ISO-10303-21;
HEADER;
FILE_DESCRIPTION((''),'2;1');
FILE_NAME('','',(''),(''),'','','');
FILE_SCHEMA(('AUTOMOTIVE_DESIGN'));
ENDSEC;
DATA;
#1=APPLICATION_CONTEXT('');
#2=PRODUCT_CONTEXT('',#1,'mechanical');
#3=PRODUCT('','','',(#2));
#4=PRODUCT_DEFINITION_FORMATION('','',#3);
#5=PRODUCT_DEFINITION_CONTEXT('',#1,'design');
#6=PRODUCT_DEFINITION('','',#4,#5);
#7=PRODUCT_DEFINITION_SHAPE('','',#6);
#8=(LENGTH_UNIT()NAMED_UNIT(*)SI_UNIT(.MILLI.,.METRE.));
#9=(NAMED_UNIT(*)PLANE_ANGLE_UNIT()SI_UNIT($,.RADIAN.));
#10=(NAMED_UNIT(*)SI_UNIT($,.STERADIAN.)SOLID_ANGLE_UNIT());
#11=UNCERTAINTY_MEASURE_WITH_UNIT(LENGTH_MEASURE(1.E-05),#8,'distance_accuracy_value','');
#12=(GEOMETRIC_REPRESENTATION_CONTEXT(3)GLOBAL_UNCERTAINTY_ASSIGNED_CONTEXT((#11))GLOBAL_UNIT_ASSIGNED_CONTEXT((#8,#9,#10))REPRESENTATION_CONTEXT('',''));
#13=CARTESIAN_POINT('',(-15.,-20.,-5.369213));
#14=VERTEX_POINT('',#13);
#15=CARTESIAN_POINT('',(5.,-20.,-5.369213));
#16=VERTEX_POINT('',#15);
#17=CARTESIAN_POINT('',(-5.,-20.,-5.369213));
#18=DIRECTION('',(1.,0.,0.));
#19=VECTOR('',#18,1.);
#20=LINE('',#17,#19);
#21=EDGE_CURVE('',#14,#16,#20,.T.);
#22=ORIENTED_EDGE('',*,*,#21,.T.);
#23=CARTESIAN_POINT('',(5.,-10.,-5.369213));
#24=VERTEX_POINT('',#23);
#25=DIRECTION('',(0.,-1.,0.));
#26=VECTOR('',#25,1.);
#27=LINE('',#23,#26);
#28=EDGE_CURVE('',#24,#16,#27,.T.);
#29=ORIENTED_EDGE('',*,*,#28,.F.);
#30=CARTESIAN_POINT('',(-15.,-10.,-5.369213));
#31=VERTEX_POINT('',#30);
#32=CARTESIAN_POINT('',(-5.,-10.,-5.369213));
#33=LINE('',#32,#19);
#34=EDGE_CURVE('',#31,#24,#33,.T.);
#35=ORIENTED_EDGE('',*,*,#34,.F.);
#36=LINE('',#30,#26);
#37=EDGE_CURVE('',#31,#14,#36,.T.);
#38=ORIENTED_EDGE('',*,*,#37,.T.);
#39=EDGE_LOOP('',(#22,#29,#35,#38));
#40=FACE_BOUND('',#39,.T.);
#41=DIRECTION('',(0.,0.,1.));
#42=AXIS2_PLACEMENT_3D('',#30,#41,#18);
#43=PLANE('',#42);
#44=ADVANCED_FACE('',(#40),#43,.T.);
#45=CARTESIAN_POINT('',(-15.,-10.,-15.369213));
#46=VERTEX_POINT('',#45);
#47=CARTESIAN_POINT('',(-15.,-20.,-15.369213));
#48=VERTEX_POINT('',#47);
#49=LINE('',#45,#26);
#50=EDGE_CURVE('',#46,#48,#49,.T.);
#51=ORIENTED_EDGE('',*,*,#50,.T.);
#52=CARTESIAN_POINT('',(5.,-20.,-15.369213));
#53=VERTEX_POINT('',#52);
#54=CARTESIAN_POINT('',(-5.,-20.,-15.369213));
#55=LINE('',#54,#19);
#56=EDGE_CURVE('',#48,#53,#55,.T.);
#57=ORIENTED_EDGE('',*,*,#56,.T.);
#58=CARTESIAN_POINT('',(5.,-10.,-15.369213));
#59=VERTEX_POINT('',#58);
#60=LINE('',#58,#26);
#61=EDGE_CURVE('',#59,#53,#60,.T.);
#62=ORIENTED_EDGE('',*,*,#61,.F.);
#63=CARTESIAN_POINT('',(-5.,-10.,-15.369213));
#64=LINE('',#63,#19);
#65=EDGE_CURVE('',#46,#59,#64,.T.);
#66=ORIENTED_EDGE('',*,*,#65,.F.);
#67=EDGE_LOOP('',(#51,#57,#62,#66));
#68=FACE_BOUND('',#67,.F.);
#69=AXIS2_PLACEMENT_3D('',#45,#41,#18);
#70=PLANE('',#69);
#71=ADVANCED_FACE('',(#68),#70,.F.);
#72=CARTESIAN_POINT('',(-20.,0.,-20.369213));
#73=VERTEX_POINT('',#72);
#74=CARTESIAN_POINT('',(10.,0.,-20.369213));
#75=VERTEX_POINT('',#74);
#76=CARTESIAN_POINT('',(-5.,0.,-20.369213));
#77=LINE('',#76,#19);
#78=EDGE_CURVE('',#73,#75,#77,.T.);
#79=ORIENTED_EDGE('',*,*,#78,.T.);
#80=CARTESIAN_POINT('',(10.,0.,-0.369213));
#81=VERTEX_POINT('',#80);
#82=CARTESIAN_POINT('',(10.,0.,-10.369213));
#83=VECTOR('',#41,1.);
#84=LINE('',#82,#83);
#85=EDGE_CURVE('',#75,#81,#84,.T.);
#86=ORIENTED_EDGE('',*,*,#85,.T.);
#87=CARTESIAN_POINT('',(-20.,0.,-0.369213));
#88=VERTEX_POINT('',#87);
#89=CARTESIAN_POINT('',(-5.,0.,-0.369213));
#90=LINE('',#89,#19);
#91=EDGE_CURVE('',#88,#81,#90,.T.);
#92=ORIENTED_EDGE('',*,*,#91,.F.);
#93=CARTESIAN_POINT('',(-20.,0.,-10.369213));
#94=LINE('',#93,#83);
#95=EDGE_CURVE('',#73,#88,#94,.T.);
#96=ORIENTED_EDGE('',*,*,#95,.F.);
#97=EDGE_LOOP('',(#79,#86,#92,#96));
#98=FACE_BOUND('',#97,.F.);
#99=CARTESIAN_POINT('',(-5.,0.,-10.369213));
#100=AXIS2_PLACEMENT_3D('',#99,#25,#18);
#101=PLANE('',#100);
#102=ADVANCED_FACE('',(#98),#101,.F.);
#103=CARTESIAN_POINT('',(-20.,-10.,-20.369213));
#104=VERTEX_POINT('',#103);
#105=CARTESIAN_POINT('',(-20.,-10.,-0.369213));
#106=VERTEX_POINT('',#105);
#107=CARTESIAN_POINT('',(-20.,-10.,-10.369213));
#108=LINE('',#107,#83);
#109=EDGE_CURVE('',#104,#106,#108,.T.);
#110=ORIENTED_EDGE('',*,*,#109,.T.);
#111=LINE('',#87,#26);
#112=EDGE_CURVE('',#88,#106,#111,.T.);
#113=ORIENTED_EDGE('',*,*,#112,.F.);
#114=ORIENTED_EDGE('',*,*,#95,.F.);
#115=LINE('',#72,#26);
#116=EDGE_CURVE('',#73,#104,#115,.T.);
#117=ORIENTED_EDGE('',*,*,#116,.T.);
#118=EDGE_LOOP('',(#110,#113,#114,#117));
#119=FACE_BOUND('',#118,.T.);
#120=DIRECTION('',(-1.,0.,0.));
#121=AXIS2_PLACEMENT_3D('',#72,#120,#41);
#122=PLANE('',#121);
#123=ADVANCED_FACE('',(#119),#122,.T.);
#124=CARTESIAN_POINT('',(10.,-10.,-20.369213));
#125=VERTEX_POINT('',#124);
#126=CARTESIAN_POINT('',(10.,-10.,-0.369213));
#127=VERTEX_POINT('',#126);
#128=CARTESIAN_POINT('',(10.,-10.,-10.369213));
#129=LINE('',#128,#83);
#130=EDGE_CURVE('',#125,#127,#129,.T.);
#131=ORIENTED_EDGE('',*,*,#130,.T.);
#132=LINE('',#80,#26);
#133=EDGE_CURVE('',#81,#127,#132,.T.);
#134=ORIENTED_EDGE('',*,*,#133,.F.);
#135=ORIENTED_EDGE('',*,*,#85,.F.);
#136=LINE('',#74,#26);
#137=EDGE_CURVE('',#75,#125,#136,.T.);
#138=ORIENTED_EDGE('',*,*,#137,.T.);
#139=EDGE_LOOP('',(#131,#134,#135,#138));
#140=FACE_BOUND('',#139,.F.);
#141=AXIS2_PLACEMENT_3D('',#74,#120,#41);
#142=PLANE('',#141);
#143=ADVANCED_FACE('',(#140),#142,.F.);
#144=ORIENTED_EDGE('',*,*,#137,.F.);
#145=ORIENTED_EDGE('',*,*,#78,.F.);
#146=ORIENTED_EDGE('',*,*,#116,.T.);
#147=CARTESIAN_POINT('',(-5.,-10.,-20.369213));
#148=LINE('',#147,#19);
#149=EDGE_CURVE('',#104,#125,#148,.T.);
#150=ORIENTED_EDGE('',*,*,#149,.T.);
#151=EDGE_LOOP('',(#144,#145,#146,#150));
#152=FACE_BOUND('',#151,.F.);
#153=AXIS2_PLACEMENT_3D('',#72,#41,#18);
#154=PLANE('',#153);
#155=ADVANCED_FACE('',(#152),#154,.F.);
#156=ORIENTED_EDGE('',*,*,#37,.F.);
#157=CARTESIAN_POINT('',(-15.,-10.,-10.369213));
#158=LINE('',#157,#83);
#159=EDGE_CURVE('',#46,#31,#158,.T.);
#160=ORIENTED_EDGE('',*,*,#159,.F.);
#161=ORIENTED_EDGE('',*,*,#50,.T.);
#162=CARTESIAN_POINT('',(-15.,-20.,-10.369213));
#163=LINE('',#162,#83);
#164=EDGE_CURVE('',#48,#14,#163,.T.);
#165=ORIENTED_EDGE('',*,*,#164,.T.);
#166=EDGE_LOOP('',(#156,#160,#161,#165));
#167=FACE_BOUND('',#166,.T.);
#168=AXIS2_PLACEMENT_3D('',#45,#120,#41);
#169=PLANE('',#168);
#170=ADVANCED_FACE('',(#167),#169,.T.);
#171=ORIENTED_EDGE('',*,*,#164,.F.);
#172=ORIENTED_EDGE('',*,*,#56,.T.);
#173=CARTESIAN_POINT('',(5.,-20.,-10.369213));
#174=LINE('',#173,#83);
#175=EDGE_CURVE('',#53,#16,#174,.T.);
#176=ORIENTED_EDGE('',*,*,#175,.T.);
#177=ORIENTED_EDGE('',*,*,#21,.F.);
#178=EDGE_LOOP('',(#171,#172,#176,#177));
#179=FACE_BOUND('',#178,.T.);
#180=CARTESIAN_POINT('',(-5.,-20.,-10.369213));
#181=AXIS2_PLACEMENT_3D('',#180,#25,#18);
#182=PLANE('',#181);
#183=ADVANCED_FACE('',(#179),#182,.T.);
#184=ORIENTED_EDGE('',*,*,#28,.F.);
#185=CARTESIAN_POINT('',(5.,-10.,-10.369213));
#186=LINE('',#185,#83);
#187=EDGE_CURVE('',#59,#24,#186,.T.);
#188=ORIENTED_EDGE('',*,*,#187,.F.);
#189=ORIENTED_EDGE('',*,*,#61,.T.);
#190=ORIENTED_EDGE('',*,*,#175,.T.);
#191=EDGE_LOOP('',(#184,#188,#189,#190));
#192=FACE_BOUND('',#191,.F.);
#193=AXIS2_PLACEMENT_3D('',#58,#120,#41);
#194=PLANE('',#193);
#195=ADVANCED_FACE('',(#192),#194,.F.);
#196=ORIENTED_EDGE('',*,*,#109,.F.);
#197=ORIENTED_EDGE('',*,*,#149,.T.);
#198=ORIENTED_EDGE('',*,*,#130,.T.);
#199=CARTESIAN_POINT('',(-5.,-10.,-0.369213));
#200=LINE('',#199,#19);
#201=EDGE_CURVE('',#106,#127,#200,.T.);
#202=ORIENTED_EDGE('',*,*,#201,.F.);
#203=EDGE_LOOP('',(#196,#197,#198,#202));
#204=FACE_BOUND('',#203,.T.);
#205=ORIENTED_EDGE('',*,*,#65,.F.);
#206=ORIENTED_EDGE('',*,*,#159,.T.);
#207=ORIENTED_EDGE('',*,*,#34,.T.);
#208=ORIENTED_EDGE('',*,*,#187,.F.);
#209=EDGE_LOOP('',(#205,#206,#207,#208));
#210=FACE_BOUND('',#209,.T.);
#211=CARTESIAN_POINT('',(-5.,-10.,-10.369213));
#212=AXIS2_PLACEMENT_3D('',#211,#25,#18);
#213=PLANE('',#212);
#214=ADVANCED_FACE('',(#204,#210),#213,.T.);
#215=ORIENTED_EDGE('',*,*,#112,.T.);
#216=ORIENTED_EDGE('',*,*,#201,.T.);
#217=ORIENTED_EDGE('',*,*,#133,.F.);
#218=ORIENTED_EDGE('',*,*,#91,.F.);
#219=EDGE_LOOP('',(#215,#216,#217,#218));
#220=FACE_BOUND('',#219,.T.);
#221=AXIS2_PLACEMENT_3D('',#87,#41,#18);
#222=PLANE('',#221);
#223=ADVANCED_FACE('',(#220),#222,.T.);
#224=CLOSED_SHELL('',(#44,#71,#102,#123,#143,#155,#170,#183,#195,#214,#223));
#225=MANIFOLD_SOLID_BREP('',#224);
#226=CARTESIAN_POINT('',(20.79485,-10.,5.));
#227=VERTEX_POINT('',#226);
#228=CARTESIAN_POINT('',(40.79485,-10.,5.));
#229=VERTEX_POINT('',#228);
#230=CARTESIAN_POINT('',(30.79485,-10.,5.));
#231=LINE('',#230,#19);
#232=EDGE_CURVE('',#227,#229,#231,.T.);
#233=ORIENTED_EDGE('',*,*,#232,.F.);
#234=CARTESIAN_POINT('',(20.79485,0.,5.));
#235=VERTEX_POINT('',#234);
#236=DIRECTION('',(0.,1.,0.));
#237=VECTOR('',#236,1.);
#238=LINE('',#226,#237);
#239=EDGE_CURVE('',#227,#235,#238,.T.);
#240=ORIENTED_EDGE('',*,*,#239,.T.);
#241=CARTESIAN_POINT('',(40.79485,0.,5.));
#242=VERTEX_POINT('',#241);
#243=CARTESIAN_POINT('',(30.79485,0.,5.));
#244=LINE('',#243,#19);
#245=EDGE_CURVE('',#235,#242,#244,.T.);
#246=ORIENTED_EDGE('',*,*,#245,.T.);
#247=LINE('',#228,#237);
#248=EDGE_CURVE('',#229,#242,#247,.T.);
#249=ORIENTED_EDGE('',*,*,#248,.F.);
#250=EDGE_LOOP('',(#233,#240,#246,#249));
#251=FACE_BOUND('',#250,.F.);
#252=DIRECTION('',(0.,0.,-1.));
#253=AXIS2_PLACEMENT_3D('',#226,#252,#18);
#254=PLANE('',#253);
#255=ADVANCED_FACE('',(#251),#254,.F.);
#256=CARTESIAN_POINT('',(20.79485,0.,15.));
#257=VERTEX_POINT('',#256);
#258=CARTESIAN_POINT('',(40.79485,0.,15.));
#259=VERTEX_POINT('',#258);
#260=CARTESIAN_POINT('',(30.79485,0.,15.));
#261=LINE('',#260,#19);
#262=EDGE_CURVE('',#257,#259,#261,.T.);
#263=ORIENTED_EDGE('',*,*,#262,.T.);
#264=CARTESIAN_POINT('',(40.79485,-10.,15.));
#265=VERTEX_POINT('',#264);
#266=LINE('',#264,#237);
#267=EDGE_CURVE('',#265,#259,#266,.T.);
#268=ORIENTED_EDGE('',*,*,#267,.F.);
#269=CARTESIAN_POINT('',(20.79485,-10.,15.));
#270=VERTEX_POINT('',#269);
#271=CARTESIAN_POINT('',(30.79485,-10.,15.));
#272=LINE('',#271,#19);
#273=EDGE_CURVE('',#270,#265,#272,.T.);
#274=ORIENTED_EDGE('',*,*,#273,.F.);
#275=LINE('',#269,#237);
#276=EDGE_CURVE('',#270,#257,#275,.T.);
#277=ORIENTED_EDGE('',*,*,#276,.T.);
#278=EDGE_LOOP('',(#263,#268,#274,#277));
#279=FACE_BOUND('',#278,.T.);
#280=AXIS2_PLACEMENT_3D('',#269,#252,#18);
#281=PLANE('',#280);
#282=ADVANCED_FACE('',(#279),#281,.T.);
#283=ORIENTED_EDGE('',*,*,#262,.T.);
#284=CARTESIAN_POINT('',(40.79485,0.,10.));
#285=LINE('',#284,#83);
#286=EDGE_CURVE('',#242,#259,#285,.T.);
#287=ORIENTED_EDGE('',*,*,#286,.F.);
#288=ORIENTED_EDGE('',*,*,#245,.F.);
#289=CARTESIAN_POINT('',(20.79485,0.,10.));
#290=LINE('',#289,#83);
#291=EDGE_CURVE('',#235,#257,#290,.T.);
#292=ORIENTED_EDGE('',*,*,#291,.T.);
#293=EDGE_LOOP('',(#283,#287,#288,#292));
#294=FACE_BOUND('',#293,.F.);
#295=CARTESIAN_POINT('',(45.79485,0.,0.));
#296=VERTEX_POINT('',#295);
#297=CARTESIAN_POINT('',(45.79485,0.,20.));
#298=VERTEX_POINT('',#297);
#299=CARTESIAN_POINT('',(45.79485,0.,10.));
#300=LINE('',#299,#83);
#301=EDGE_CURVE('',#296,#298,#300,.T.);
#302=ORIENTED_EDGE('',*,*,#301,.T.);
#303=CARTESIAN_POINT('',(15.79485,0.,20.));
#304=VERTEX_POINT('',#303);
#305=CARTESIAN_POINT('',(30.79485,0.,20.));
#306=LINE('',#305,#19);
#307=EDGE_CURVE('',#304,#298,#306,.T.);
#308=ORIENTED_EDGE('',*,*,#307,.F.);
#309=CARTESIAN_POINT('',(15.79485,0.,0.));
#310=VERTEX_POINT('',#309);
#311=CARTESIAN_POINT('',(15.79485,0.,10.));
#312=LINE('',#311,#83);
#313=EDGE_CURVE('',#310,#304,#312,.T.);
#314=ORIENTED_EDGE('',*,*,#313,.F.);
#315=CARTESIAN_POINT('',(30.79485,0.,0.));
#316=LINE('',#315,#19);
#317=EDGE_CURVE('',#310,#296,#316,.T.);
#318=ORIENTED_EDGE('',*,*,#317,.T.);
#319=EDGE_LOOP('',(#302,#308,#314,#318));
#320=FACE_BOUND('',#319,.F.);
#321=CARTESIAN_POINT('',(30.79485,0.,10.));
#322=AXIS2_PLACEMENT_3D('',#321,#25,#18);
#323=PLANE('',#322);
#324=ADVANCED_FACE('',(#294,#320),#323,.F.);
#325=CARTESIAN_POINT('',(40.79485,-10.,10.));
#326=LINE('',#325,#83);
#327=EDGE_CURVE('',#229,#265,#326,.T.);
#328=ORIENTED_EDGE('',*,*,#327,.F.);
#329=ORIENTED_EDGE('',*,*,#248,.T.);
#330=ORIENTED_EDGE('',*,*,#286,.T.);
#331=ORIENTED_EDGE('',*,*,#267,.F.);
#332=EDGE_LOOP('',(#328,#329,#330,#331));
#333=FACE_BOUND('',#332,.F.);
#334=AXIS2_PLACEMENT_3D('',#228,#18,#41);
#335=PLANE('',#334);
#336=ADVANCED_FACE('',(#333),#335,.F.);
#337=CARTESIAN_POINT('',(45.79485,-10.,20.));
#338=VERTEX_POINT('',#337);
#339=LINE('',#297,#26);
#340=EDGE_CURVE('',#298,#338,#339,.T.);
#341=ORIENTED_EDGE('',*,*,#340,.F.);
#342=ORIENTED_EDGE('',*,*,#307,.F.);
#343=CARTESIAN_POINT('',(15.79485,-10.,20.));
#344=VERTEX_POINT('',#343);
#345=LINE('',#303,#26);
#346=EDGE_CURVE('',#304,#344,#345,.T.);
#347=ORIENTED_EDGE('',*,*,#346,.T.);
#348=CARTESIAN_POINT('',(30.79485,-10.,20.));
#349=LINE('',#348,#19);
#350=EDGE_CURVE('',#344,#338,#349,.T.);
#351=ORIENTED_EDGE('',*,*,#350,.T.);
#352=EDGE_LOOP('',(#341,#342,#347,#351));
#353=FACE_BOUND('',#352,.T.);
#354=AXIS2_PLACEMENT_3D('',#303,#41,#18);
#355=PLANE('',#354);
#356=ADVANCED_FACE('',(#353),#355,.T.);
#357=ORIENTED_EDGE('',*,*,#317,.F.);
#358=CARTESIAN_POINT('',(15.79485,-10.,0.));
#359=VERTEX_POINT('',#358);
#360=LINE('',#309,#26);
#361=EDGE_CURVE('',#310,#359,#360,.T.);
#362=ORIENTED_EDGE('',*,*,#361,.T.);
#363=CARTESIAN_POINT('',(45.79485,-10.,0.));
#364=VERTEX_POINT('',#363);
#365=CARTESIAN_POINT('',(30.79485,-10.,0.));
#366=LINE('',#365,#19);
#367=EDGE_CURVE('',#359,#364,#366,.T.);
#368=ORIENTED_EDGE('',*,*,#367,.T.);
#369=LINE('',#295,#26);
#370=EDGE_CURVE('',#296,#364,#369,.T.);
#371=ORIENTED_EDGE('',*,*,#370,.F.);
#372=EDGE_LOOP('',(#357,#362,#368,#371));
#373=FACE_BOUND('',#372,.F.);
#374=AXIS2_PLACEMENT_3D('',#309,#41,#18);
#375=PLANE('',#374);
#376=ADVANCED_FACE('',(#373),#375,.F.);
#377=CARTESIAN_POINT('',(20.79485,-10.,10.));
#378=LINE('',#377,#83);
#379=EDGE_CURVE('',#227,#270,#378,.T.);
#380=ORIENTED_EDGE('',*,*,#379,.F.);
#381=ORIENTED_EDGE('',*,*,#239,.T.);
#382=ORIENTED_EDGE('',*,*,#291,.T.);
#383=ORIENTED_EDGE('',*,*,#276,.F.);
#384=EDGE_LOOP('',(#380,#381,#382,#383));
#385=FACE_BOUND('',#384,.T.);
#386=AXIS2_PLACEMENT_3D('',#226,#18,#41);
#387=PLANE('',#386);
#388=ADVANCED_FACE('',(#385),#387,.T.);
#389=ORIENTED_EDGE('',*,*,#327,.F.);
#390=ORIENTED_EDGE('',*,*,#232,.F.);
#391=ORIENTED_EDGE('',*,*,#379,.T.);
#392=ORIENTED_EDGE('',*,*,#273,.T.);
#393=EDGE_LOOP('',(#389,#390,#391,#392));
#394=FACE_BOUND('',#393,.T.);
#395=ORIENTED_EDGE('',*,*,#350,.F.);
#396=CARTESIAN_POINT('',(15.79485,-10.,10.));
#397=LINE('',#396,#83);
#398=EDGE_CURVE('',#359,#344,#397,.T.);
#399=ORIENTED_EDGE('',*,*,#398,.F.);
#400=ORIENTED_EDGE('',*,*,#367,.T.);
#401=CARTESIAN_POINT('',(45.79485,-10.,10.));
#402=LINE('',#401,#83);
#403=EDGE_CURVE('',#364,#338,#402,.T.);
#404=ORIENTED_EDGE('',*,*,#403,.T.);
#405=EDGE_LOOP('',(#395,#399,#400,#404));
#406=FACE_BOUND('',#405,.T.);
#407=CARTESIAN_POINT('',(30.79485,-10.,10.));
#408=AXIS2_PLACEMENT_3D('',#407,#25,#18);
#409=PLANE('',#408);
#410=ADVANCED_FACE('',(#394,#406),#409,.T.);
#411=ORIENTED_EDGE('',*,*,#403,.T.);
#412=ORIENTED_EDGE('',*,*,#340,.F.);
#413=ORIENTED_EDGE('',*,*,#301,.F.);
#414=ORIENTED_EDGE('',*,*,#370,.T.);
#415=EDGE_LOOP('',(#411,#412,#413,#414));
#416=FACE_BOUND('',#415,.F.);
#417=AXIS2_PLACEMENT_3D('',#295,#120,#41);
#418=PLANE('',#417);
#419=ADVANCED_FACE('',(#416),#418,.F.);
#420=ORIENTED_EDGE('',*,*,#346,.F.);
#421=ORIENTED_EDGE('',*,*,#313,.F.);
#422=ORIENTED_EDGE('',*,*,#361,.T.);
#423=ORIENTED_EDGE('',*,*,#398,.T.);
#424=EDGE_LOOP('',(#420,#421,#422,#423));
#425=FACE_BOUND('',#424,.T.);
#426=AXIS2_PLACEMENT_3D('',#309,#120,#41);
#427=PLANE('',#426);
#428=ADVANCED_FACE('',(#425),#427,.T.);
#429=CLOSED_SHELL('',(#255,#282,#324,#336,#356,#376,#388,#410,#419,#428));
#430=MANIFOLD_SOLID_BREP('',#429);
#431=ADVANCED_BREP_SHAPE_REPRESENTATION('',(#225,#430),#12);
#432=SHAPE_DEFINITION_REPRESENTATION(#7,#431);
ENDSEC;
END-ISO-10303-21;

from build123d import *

# Parameters (mm, degrees)
F0_W     = 30
F0_H     = 20
F1_DEPTH = 10
F2_W     = 20
F2_H     = 10
F3_DEPTH = 10
F4_W     = 30
F4_H     = 20
F5_DEPTH = 10
F6_W     = 20
F6_H     = 10
F7_DEPTH = 10


with BuildPart() as f1:
    # F0 (on Front) → F1 (new body)
    with BuildSketch(Plane.XZ):
        with Locations((-5, -10.369213)):
            Rectangle(F0_W, F0_H)
    extrude(amount=F1_DEPTH)

    # F2 (on face) → F3 (join)
    with BuildSketch(Plane.XZ.offset(10)):
        with Locations((-5, -10.369213)):
            Rectangle(F2_W, F2_H)
    extrude(amount=F3_DEPTH)


with BuildPart() as f5:
    # F4 (on Front) → F5 (new body)
    with BuildSketch(Plane.XZ):
        with Locations((30.79485, 10)):
            Rectangle(F4_W, F4_H)
    extrude(amount=F5_DEPTH)

    # F6 (on face) → F7 (cut)
    with BuildSketch(Plane.XZ.offset(10)):
        with Locations((30.79485, 10)):
            Rectangle(F6_W, F6_H)
    extrude(amount=-F7_DEPTH, mode=Mode.SUBTRACT)


solid = Compound([f1.part, f5.part])
